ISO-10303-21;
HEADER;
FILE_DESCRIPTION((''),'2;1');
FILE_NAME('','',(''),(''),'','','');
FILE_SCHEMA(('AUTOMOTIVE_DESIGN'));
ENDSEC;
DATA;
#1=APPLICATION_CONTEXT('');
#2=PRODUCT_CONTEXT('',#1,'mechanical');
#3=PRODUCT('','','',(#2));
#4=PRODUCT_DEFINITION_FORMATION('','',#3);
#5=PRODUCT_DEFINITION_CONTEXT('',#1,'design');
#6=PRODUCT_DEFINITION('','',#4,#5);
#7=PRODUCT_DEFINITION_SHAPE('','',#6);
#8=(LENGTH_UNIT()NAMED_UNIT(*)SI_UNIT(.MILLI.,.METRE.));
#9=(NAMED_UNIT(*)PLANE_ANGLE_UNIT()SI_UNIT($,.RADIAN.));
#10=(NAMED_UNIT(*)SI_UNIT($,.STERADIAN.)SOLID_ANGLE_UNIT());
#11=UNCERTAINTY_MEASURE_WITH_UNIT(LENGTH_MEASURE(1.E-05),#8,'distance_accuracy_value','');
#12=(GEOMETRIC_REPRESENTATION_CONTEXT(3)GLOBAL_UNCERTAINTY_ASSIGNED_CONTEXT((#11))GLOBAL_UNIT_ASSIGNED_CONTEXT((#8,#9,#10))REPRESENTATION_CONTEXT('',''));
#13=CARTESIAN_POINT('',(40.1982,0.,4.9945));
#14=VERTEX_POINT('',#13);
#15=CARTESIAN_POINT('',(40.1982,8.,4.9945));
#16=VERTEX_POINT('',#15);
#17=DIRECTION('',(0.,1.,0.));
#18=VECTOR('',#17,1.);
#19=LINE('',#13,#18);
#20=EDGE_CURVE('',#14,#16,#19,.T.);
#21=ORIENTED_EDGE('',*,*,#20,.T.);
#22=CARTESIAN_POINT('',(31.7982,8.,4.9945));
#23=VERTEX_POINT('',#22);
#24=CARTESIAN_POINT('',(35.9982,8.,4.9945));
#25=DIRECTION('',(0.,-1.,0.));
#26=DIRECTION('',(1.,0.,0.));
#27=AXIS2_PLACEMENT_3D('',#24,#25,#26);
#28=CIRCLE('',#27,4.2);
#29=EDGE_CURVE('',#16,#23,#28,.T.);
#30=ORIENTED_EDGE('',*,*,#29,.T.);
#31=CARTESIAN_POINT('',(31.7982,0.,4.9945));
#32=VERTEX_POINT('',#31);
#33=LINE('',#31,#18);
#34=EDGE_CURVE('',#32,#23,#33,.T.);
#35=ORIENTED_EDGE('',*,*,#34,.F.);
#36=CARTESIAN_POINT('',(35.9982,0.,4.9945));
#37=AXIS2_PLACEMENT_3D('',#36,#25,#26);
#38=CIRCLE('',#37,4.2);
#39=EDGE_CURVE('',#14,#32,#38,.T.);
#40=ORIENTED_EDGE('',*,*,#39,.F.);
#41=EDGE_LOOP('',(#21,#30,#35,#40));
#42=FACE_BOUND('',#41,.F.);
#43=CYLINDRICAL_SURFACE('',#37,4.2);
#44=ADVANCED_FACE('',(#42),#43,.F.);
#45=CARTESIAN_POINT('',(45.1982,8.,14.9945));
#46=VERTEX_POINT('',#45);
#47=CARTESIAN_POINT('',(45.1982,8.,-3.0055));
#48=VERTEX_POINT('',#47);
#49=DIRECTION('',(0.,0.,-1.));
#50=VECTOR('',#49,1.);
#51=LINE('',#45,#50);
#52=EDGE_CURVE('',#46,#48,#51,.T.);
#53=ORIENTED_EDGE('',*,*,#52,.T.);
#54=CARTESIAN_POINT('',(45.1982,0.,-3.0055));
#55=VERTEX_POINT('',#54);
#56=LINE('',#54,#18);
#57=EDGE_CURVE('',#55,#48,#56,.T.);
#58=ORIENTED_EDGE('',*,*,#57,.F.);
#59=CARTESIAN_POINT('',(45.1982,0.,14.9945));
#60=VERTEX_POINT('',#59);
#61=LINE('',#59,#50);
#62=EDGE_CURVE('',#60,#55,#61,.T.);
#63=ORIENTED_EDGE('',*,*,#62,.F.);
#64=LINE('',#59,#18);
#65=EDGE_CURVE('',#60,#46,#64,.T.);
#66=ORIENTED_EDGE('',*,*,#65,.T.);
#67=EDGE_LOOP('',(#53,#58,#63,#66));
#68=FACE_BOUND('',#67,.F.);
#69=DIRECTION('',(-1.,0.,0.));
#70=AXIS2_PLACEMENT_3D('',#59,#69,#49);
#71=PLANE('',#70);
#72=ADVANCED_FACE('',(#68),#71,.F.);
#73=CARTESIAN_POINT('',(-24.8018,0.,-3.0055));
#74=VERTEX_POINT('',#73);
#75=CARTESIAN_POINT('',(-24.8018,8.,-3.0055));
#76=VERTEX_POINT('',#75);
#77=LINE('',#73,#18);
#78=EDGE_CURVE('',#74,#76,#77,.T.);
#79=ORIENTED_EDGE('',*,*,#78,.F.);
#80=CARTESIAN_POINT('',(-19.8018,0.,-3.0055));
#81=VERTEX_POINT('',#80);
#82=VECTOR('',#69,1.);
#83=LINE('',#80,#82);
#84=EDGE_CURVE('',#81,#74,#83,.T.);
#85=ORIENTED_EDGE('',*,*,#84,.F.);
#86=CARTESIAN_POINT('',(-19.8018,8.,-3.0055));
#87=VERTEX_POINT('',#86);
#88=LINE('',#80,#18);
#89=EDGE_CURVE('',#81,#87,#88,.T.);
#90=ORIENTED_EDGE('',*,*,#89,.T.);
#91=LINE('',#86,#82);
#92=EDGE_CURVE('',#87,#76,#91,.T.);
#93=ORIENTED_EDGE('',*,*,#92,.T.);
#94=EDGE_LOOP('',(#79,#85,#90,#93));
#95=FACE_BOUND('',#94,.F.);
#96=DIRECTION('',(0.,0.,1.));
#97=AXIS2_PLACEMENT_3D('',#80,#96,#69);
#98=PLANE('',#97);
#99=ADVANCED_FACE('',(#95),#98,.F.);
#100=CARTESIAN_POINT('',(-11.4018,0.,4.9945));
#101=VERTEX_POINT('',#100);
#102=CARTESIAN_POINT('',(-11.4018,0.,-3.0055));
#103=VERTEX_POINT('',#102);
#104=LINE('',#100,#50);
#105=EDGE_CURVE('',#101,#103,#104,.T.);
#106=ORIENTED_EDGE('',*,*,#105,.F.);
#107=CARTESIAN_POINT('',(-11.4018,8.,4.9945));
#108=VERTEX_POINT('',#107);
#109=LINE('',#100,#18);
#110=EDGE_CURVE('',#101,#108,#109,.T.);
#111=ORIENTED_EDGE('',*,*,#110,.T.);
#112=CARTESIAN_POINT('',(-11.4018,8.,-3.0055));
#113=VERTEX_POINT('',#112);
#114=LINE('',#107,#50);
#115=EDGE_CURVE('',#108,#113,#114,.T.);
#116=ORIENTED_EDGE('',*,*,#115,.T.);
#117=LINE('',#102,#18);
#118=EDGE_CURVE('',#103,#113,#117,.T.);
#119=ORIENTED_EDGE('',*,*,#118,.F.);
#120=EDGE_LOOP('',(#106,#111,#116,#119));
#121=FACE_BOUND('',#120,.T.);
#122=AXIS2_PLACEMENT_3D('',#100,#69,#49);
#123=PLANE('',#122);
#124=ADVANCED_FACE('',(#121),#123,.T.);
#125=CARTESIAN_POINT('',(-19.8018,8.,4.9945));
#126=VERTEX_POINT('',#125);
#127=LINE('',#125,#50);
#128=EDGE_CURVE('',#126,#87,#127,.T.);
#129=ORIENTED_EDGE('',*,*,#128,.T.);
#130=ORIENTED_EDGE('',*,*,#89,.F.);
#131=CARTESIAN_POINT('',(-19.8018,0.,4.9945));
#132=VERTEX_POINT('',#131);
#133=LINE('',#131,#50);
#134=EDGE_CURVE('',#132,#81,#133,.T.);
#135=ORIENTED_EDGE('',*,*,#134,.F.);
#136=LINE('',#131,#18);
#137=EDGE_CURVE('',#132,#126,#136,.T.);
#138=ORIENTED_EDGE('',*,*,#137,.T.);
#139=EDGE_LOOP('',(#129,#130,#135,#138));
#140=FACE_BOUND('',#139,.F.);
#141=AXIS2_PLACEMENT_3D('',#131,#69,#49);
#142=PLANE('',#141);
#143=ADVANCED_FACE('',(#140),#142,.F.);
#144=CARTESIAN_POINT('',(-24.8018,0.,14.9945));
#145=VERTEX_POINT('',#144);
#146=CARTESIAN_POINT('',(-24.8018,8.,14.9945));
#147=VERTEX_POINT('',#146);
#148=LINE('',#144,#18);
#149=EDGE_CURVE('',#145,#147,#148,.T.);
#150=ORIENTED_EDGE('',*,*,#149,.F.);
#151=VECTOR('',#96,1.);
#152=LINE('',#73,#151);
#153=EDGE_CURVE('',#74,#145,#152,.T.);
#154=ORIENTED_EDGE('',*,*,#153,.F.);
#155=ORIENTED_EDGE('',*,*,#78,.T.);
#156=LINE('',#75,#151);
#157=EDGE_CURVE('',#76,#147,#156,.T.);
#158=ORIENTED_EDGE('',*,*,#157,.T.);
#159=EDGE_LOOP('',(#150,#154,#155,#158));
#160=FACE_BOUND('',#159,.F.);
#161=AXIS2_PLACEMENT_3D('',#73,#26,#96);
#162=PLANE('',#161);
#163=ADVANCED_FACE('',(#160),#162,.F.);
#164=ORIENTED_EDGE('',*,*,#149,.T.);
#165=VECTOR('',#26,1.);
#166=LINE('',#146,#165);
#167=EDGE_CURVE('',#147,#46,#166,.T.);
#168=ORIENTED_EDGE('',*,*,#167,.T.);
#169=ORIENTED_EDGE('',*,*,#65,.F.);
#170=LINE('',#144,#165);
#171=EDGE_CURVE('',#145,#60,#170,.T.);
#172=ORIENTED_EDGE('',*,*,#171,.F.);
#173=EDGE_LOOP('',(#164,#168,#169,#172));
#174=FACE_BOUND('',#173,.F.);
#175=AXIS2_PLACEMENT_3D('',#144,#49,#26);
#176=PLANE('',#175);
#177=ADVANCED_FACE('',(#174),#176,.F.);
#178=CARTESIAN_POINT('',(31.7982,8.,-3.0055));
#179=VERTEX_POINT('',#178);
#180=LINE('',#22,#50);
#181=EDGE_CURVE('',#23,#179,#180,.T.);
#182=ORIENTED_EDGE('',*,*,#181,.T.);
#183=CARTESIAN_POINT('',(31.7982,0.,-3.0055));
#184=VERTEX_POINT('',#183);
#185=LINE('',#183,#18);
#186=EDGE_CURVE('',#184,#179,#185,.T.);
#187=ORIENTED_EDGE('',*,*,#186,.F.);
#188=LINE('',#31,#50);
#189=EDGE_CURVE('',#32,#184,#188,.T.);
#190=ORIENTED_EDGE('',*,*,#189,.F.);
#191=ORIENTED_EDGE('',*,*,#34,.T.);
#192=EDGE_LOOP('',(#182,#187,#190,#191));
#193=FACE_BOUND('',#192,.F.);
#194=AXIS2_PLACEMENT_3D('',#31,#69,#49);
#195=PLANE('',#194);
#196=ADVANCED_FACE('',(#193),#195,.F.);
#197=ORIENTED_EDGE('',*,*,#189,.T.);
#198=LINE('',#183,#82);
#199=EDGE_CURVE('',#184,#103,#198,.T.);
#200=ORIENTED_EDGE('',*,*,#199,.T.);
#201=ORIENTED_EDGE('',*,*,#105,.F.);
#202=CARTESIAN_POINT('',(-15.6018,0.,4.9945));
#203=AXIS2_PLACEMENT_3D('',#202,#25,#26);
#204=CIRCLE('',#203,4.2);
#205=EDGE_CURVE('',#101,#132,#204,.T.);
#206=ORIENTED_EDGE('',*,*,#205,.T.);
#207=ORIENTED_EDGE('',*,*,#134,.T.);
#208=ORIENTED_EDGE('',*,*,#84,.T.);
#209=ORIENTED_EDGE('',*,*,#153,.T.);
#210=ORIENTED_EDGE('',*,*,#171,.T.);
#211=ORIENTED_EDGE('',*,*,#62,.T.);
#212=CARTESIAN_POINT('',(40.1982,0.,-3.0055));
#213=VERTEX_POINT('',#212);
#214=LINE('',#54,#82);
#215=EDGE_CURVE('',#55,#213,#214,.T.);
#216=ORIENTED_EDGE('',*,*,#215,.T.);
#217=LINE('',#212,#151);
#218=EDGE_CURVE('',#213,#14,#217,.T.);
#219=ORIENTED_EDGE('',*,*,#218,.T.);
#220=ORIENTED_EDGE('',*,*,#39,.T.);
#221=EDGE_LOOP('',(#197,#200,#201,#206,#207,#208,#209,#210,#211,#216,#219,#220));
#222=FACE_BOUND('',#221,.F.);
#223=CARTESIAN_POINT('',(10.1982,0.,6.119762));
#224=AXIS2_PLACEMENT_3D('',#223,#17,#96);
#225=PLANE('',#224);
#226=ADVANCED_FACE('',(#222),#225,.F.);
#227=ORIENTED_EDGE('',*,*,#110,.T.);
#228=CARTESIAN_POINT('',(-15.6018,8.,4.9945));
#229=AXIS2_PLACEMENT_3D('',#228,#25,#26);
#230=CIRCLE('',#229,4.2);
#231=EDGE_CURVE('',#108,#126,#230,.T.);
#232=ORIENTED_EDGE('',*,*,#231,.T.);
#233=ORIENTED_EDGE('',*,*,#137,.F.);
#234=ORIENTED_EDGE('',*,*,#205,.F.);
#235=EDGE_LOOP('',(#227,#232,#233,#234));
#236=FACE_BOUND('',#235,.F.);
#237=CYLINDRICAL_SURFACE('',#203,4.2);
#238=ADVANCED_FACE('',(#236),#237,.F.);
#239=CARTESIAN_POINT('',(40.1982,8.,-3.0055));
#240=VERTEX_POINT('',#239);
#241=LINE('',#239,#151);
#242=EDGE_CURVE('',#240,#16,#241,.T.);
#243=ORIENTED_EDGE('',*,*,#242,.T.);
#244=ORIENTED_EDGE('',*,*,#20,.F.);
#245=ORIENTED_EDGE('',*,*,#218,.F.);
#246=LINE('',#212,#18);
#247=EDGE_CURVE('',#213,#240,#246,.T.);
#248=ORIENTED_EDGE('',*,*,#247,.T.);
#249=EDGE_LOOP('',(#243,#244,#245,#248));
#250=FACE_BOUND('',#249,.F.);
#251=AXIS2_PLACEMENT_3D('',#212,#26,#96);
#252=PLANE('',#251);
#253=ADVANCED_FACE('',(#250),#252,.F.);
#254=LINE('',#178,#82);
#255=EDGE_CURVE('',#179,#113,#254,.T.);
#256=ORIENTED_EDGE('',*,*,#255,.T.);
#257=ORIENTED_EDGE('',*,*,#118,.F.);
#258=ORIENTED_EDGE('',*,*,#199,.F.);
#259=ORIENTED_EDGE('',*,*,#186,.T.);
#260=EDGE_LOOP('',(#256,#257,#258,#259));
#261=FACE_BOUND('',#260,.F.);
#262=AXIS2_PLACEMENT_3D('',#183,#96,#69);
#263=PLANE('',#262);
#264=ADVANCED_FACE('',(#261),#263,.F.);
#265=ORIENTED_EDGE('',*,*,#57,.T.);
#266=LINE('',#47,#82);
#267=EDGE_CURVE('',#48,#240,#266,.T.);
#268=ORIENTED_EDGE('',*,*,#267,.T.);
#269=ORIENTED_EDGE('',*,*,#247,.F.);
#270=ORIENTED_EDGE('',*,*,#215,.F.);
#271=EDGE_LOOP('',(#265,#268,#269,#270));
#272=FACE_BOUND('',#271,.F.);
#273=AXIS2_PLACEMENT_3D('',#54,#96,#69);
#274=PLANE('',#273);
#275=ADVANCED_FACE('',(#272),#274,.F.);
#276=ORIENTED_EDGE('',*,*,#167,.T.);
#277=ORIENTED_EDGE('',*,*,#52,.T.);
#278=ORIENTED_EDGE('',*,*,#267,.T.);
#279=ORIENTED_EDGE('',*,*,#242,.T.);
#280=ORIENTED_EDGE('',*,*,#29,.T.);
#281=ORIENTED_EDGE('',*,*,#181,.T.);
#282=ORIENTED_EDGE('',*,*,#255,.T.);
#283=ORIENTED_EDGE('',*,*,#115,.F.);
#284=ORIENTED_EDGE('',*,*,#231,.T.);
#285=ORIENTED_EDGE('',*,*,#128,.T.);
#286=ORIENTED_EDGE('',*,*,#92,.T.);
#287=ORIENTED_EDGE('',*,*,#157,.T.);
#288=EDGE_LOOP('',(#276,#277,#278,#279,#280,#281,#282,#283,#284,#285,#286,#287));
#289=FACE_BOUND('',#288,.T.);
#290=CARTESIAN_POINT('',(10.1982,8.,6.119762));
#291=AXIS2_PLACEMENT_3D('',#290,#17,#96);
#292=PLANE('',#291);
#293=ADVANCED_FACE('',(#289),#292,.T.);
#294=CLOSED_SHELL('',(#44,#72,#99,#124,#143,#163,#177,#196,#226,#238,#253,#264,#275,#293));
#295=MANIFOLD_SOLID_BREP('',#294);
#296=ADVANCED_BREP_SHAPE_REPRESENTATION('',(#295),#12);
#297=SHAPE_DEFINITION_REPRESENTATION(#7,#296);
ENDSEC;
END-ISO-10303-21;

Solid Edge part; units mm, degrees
sketch "Sketch1" plane through (0, 0, 0) normal (0, -1, 0) x (1, 0, 0)
  line L0 (45.1982, 14.9945) -> (45.1982, -3.0055)
  line L1 (45.1982, -3.0055) -> (40.1982, -3.0055)
  line L2 (40.1982, -3.0055) -> (40.1982, 4.9945)
  line L3 (31.7982, 4.9945) -> (31.7982, -3.0055)
  line L4 (31.7982, -3.0055) -> (-11.4018, -3.0055)
  line L5 (-11.4018, 4.9945) -> (-11.4018, -3.0055)
  line L6 (-19.8018, 4.9945) -> (-19.8018, -3.0055)
  line L7 (-19.8018, -3.0055) -> (-24.8018, -3.0055)
  line L8 (-24.8018, -3.0055) -> (-24.8018, 14.9945)
  line L9 (-24.8018, 14.9945) -> (45.1982, 14.9945)
  arc A0 (40.1982, 4.9945) -> (31.7982, 4.9945) centre (35.9982, 4.9945) ccw
  arc A1 (-11.4018, 4.9945) -> (-19.8018, 4.9945) centre (-15.6018, 4.9945) ccw
  dimension "D1" = 18
  dimension "D2" = 18
  dimension "D3" = 5
  dimension "D4" = 5
extrude "Protrusion1" add sketch "Sketch1" against normal blind 8
